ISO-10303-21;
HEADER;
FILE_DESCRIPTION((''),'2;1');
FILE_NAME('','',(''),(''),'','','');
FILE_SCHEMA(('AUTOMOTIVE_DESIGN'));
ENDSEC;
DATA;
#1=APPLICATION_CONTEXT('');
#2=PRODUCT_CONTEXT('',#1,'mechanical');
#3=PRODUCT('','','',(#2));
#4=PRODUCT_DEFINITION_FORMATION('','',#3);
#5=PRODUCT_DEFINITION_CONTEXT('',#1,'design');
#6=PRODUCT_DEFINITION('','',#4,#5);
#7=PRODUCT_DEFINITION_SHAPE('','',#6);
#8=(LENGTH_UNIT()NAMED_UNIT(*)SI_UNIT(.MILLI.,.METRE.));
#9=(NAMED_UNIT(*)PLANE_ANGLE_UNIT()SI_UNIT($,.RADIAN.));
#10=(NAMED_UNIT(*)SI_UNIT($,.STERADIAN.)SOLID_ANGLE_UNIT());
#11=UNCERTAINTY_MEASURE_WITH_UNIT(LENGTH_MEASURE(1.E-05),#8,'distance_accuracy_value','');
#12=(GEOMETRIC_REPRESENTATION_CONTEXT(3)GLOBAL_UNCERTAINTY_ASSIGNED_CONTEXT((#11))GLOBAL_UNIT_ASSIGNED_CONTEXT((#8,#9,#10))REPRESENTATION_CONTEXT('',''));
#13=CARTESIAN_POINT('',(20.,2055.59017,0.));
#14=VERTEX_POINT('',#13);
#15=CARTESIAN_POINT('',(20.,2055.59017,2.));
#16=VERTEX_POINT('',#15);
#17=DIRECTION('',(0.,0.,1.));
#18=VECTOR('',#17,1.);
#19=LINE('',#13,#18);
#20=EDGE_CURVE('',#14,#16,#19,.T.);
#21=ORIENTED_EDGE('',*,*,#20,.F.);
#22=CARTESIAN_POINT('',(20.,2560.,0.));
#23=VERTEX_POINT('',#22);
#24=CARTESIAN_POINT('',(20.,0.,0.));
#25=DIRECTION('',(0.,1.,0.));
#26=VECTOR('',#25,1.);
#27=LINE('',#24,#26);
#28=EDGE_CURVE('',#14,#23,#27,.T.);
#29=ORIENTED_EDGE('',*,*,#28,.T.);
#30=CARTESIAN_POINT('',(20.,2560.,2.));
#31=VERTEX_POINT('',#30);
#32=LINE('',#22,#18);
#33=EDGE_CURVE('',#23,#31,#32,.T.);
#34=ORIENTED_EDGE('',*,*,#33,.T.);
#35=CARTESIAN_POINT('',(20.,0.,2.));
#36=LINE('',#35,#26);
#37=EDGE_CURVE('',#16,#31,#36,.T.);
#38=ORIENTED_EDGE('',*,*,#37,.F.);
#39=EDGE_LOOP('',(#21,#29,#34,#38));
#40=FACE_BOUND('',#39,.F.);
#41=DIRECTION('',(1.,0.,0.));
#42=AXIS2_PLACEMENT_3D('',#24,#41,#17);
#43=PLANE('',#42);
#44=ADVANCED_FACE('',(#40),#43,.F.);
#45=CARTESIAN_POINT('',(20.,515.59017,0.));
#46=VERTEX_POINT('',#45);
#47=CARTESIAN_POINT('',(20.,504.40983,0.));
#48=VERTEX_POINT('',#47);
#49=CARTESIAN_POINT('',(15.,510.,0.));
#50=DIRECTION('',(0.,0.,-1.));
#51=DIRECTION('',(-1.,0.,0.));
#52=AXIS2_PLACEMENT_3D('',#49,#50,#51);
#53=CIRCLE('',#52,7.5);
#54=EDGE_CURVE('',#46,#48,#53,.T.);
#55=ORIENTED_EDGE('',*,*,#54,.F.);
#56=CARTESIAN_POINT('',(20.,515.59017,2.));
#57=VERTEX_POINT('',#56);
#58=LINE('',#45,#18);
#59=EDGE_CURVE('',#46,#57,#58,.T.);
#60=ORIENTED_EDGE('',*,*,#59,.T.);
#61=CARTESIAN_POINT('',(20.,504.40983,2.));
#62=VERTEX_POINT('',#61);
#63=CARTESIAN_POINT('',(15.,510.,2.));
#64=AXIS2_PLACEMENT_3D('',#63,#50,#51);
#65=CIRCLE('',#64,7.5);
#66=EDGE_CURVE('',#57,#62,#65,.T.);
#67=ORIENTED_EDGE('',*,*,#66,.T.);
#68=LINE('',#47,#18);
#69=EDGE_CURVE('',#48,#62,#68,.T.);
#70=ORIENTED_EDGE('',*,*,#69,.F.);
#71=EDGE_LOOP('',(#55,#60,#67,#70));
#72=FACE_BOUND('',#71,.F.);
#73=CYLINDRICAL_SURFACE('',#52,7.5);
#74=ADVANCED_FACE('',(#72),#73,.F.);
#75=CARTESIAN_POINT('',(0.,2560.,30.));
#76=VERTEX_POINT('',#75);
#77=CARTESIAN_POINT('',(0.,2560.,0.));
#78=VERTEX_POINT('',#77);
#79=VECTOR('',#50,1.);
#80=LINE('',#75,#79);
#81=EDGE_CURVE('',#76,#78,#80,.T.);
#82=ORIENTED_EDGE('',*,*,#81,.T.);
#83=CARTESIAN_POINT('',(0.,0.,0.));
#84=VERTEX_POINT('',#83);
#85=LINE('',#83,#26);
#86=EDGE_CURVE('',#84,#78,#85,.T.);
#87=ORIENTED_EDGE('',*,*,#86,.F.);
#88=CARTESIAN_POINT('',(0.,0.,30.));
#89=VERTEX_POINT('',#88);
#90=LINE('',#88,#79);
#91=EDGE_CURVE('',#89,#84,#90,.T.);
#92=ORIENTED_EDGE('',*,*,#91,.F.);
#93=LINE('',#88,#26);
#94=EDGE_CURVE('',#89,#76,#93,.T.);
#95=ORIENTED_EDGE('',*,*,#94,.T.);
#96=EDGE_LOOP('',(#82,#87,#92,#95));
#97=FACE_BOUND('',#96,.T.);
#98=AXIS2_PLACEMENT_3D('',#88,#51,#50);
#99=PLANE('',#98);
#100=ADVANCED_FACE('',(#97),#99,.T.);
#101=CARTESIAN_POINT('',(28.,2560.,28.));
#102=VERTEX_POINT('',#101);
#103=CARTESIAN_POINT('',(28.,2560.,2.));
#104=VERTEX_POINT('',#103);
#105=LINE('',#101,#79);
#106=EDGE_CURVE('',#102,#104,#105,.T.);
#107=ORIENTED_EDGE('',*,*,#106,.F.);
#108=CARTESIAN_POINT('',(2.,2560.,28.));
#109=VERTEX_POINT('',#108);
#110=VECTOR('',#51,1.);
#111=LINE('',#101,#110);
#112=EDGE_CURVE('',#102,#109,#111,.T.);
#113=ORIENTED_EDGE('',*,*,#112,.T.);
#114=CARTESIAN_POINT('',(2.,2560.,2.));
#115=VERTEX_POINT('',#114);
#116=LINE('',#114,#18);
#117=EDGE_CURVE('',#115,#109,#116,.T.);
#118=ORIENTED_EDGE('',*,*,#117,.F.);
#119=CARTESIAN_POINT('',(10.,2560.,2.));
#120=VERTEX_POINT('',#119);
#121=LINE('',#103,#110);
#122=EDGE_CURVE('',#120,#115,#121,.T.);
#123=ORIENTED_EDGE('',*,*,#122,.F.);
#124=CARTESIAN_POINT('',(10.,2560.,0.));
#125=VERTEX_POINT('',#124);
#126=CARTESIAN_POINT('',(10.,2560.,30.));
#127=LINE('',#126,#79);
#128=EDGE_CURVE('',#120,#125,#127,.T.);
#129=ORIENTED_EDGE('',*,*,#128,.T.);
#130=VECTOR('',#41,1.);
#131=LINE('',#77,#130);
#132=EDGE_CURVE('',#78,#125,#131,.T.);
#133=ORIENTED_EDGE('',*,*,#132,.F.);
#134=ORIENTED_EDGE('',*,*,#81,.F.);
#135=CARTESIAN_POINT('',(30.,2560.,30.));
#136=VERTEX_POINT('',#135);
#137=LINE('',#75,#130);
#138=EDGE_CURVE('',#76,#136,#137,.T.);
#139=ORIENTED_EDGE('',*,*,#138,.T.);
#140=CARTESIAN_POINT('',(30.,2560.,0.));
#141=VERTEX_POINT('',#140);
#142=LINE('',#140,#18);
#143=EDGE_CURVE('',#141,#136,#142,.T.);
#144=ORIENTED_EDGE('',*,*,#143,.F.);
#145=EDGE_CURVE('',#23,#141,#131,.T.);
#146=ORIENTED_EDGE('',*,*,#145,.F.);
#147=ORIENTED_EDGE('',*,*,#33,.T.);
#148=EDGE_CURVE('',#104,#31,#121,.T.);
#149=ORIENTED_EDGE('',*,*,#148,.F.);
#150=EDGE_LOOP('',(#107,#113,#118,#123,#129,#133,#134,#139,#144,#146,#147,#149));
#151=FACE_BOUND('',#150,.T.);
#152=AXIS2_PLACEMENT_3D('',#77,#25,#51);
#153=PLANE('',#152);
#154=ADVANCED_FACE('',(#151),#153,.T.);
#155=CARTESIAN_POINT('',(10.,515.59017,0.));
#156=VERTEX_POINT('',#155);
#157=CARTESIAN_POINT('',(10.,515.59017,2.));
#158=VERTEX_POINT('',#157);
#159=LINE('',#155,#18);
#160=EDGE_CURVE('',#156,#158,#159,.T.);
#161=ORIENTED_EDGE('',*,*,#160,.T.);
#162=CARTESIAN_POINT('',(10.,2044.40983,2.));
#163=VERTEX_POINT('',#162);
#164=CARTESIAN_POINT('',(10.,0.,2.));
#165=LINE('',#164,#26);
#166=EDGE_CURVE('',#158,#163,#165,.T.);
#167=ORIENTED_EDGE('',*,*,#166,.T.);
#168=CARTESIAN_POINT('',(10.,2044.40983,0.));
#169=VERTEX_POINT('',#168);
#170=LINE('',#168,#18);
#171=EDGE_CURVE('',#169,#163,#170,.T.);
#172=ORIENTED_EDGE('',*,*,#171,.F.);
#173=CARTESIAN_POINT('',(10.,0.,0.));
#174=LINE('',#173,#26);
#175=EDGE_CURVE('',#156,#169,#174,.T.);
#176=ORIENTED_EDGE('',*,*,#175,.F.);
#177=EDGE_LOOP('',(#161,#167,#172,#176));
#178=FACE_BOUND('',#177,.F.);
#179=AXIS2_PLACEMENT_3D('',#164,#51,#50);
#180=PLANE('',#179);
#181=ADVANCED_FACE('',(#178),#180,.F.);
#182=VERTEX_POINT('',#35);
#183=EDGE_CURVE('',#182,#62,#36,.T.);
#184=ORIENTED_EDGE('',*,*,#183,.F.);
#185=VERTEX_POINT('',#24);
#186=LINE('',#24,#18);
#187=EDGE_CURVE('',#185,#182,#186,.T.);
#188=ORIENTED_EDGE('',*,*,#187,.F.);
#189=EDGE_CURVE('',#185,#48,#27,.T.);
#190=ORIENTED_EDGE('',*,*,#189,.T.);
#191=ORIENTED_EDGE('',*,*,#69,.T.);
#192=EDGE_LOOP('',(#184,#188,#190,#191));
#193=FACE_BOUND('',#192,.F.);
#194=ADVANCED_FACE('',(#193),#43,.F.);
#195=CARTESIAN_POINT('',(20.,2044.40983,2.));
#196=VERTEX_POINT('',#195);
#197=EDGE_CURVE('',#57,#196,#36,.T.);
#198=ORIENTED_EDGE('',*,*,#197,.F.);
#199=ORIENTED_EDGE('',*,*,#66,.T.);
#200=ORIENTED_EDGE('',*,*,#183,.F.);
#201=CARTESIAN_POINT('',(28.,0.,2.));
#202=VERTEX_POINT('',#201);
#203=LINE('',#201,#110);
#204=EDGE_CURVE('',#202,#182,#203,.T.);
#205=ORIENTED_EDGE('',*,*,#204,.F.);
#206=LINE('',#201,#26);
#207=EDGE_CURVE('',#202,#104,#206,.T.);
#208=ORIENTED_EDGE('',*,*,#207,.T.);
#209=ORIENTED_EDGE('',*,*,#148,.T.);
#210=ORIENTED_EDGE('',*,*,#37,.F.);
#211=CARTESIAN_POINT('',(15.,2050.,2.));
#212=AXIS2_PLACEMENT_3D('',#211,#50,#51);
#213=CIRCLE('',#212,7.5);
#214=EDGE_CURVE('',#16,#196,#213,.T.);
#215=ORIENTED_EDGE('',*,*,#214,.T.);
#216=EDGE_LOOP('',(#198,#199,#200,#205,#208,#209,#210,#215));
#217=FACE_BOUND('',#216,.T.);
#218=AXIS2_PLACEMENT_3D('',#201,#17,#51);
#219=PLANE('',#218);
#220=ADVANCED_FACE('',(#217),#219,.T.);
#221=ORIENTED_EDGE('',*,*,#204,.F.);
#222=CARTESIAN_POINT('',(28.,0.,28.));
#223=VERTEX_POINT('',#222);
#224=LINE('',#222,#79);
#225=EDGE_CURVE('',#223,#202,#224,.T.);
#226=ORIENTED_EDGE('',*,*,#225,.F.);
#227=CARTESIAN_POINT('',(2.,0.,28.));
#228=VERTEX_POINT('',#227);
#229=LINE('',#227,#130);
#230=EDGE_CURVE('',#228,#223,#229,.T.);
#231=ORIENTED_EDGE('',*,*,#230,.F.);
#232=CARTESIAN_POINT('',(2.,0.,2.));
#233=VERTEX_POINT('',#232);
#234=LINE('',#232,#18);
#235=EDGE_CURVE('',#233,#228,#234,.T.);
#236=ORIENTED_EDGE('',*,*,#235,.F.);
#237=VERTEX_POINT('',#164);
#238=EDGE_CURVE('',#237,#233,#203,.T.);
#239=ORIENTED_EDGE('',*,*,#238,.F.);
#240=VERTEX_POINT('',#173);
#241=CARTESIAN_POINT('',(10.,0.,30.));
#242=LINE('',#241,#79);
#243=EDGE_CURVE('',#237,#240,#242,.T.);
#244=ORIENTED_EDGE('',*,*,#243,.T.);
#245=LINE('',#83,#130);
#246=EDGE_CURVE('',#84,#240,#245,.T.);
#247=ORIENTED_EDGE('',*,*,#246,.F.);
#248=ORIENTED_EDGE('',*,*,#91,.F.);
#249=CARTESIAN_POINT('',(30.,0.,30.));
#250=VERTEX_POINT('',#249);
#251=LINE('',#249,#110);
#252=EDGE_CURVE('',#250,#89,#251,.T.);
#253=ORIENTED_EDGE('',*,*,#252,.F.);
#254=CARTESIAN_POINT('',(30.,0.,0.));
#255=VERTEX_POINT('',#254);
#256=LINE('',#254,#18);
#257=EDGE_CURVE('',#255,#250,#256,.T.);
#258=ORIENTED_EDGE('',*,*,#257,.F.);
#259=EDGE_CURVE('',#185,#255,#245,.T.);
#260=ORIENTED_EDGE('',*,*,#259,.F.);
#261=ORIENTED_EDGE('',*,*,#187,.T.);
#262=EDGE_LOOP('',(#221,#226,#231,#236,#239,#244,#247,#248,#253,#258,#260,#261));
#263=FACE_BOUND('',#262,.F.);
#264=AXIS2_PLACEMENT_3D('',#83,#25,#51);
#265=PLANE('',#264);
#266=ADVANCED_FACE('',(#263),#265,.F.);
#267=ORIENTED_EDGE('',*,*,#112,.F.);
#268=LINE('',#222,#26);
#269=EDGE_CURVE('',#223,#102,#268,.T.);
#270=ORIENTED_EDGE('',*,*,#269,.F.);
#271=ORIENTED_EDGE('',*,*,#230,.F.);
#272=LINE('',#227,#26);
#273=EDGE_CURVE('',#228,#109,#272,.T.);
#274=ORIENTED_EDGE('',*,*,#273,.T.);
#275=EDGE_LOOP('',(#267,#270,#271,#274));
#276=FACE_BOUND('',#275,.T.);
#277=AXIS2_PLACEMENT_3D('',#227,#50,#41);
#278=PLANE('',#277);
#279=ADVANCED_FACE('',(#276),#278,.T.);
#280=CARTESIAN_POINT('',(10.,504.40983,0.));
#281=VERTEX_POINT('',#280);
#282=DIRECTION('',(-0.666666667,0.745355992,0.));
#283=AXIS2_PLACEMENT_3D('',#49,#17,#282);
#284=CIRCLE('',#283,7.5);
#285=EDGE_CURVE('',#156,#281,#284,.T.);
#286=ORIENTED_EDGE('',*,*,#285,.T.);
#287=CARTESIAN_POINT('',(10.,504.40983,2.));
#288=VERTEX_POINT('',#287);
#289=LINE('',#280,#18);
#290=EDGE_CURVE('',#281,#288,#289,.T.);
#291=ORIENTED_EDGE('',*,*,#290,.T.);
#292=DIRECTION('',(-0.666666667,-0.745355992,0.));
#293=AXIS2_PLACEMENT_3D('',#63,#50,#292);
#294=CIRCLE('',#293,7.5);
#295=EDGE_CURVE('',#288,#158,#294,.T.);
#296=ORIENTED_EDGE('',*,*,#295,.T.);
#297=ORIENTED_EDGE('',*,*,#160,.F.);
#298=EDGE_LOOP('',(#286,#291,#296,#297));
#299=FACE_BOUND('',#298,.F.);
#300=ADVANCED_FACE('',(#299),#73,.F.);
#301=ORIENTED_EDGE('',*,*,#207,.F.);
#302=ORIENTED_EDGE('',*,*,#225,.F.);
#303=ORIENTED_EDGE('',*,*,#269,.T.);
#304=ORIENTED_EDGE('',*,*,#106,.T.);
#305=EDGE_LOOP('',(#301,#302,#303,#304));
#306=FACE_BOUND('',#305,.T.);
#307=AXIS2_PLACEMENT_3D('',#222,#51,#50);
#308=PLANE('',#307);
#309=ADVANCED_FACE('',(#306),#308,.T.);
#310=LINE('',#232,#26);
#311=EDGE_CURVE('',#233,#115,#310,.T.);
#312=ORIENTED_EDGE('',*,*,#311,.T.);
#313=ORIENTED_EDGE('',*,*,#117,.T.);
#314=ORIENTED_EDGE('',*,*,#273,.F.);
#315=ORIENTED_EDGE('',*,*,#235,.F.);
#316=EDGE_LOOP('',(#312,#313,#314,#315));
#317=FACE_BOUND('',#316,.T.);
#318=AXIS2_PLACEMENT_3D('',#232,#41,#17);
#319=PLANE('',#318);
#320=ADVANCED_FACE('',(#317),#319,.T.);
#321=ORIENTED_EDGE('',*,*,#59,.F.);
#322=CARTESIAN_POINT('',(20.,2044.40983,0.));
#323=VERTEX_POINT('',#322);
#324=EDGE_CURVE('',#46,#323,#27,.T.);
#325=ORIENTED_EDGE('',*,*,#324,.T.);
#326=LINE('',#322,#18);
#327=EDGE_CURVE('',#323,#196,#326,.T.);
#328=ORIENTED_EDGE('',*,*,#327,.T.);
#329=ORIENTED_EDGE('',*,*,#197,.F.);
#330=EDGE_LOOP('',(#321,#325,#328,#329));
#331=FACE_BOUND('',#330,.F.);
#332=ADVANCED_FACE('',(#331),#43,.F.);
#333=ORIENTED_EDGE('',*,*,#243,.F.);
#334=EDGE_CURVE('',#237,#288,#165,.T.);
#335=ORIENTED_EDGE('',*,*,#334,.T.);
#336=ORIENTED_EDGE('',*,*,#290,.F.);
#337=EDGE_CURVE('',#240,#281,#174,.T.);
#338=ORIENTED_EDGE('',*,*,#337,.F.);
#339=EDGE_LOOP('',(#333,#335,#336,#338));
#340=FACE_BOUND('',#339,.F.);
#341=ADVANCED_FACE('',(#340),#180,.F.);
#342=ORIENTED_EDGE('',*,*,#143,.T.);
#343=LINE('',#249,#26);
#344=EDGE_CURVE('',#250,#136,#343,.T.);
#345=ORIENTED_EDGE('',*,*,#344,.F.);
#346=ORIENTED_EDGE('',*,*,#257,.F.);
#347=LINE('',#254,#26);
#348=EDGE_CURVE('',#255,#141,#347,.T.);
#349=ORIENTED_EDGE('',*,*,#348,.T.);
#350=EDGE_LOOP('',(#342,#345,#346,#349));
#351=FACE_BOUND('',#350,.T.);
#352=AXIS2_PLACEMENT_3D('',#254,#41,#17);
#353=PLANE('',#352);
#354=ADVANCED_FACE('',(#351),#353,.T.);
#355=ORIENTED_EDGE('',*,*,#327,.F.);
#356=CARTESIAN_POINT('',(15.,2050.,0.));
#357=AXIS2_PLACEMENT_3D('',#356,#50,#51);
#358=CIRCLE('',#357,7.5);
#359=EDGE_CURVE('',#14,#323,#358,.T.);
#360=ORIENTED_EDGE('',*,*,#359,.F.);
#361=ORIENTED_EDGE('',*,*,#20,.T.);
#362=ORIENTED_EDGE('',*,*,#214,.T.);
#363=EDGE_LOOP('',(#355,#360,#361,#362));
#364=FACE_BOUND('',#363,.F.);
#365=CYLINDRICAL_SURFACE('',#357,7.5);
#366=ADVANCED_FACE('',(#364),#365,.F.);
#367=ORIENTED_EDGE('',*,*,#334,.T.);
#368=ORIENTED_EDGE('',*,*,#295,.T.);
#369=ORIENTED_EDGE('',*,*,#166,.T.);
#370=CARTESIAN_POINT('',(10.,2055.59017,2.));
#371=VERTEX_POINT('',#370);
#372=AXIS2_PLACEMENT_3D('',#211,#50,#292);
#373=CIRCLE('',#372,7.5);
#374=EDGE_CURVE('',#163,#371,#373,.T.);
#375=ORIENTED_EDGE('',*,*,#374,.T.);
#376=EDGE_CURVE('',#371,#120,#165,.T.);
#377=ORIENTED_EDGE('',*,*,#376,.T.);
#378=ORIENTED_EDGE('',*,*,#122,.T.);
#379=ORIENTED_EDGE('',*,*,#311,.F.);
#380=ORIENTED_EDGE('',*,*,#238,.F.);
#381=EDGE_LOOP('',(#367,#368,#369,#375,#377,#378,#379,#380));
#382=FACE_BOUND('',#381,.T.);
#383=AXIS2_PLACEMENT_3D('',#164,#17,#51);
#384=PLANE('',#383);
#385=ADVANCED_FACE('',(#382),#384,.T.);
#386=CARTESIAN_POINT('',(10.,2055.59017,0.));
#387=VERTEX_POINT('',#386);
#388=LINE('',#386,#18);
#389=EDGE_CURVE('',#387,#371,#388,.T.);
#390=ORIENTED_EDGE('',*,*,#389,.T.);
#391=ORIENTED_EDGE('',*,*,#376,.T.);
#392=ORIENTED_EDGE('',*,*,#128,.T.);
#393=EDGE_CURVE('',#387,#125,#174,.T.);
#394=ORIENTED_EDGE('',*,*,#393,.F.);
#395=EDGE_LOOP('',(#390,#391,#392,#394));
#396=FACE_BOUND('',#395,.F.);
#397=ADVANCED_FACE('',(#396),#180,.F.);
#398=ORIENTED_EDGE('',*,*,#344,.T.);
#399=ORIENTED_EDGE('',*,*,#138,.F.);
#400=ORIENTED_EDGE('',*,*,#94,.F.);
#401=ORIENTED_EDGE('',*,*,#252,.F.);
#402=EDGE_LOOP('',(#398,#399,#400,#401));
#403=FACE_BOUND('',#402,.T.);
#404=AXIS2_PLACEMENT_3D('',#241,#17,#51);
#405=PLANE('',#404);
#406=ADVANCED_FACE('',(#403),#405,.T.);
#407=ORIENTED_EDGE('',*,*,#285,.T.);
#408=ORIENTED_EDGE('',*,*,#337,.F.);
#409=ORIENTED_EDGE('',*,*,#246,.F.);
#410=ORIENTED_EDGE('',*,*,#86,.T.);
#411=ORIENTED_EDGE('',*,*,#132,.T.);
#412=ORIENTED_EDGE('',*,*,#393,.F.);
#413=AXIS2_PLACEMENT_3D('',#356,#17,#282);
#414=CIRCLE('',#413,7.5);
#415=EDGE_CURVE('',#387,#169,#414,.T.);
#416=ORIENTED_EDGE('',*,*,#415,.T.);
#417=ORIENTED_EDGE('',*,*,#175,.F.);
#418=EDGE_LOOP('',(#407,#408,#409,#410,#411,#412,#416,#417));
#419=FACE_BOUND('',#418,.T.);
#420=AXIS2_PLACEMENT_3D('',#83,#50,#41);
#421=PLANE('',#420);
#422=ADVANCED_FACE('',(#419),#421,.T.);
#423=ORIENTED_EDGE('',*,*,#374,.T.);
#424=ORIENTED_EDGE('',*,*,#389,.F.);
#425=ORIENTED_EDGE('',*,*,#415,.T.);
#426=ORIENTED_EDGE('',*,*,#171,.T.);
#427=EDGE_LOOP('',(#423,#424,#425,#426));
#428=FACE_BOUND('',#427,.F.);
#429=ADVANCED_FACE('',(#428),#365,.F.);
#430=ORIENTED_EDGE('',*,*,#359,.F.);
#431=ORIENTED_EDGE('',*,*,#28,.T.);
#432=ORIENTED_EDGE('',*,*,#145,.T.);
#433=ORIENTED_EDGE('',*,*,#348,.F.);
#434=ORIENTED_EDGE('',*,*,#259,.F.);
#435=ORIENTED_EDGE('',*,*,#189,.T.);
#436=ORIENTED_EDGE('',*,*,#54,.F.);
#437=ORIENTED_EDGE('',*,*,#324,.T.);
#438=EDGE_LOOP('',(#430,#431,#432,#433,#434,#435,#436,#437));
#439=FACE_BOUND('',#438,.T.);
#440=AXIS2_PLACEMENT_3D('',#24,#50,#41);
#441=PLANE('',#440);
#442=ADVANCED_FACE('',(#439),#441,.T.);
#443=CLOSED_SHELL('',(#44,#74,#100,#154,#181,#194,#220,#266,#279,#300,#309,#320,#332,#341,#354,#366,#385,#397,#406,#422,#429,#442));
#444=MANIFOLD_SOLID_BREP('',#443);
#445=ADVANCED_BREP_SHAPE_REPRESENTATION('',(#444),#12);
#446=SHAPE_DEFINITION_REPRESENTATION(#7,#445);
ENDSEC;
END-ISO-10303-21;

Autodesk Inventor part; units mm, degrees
ref_plane "YZ Plane" through (0, 0, 0) normal (1, 0, 0) x (0, 1, 0)
ref_plane "XZ Plane" through (0, 0, 0) normal (0, 1, 0) x (-1, 0, 0)
ref_plane "XY Plane" through (0, 0, 0) normal (0, 0, 1) x (1, 0, 0)
sketch "Sketch1" plane through (0, 0, 0) normal (0, 1, 0) x (-1, 0, 0)
  line L0 (0, 0) -> (-30, 0)
  line L1 (-30, 0) -> (-30, 30)
  line L2 (-30, 30) -> (0, 30)
  line L3 (0, 30) -> (0, 0)
  line L4 (-2, 28) -> (-28, 28)
  line L5 (-28, 28) -> (-28, 2)
  line L6 (-28, 2) -> (-2, 2)
  line L7 (-2, 2) -> (-2, 28)
  line L8 (-10, 0) -> (-20, 0)
  line L9 (-20, 0) -> (-20, 30)
  line L10 (-20, 30) -> (-10, 30)
  line L11 (-10, 30) -> (-10, 0)
  line L12 (-10, 0) -> (-20, 30) construction
  line L13 (-20, 0) -> (-10, 30) construction
  point P0 (-15, 15)
  point P1 (-20, 2)
  point P2 (-10, 2)
  dimension "d0" = 30
  dimension "d1" = 30
  dimension "d2" = 2
  dimension "d3" = 10
  dimension "d4" = 30
  dimension "d5" = 15
extrude "Extrusion1" add sketch "Sketch1" along normal blind 2560 contours L0 L11 L6 L7 L4 L2 L3 | L0 L1 L2 L9 L4 L5 L6 | L11 L4 L9 L2
sketch "Sketch2" plane through (20, 0, 0) normal (0, 0, -1) x (-1, 0, 0)
  line L0 (-10, 0) -> (0, 0) projected
  line L1 (0, 0) -> (0, 2560) projected
  line L2 (-10, 2560) -> (0, 2560) projected
  line L3 (-10, 0) -> (-10, 2560) projected
  line L4 (10, 0) -> (20, 0) projected
  line L5 (20, 0) -> (20, 2560) projected
  line L6 (10, 2560) -> (20, 2560) projected
  line L7 (10, 0) -> (10, 2560) projected
  line L8 (-8, 2560) -> (18, 2560) construction
  line L9 (5, 2560) -> (5, 2050) construction
  circle A0 centre (5, 2050) radius 7.5
  line L10 (-8, 0) -> (18, 0) construction
  line L11 (5, 0) -> (5, 510) construction
  circle A1 centre (5, 510) radius 7.5
  point P0 (10, 2055.5902)
  point P1 (10, 2044.4098)
  point P2 (0, 2055.5902)
  point P3 (0, 2044.4098)
  point P4 (10, 515.5902)
  point P5 (10, 504.4098)
  point P6 (0, 515.5902)
  point P7 (0, 504.4098)
  dimension "d8" = 510
  dimension "d9" = 15
  dimension "d10" = 510
  dimension "d11" = 15
extrude "Extrusion2" cut sketch "Sketch2" against normal up to surface (2 mm away) contours A1 L1 | L7 A1 | L1 A0 | A0 L7
equation "\"d4\" = d1"
equation "\"d5\" = 0.5 * d1"
equation "\"d10\" = d8"
properties part number "guiaPorta"
